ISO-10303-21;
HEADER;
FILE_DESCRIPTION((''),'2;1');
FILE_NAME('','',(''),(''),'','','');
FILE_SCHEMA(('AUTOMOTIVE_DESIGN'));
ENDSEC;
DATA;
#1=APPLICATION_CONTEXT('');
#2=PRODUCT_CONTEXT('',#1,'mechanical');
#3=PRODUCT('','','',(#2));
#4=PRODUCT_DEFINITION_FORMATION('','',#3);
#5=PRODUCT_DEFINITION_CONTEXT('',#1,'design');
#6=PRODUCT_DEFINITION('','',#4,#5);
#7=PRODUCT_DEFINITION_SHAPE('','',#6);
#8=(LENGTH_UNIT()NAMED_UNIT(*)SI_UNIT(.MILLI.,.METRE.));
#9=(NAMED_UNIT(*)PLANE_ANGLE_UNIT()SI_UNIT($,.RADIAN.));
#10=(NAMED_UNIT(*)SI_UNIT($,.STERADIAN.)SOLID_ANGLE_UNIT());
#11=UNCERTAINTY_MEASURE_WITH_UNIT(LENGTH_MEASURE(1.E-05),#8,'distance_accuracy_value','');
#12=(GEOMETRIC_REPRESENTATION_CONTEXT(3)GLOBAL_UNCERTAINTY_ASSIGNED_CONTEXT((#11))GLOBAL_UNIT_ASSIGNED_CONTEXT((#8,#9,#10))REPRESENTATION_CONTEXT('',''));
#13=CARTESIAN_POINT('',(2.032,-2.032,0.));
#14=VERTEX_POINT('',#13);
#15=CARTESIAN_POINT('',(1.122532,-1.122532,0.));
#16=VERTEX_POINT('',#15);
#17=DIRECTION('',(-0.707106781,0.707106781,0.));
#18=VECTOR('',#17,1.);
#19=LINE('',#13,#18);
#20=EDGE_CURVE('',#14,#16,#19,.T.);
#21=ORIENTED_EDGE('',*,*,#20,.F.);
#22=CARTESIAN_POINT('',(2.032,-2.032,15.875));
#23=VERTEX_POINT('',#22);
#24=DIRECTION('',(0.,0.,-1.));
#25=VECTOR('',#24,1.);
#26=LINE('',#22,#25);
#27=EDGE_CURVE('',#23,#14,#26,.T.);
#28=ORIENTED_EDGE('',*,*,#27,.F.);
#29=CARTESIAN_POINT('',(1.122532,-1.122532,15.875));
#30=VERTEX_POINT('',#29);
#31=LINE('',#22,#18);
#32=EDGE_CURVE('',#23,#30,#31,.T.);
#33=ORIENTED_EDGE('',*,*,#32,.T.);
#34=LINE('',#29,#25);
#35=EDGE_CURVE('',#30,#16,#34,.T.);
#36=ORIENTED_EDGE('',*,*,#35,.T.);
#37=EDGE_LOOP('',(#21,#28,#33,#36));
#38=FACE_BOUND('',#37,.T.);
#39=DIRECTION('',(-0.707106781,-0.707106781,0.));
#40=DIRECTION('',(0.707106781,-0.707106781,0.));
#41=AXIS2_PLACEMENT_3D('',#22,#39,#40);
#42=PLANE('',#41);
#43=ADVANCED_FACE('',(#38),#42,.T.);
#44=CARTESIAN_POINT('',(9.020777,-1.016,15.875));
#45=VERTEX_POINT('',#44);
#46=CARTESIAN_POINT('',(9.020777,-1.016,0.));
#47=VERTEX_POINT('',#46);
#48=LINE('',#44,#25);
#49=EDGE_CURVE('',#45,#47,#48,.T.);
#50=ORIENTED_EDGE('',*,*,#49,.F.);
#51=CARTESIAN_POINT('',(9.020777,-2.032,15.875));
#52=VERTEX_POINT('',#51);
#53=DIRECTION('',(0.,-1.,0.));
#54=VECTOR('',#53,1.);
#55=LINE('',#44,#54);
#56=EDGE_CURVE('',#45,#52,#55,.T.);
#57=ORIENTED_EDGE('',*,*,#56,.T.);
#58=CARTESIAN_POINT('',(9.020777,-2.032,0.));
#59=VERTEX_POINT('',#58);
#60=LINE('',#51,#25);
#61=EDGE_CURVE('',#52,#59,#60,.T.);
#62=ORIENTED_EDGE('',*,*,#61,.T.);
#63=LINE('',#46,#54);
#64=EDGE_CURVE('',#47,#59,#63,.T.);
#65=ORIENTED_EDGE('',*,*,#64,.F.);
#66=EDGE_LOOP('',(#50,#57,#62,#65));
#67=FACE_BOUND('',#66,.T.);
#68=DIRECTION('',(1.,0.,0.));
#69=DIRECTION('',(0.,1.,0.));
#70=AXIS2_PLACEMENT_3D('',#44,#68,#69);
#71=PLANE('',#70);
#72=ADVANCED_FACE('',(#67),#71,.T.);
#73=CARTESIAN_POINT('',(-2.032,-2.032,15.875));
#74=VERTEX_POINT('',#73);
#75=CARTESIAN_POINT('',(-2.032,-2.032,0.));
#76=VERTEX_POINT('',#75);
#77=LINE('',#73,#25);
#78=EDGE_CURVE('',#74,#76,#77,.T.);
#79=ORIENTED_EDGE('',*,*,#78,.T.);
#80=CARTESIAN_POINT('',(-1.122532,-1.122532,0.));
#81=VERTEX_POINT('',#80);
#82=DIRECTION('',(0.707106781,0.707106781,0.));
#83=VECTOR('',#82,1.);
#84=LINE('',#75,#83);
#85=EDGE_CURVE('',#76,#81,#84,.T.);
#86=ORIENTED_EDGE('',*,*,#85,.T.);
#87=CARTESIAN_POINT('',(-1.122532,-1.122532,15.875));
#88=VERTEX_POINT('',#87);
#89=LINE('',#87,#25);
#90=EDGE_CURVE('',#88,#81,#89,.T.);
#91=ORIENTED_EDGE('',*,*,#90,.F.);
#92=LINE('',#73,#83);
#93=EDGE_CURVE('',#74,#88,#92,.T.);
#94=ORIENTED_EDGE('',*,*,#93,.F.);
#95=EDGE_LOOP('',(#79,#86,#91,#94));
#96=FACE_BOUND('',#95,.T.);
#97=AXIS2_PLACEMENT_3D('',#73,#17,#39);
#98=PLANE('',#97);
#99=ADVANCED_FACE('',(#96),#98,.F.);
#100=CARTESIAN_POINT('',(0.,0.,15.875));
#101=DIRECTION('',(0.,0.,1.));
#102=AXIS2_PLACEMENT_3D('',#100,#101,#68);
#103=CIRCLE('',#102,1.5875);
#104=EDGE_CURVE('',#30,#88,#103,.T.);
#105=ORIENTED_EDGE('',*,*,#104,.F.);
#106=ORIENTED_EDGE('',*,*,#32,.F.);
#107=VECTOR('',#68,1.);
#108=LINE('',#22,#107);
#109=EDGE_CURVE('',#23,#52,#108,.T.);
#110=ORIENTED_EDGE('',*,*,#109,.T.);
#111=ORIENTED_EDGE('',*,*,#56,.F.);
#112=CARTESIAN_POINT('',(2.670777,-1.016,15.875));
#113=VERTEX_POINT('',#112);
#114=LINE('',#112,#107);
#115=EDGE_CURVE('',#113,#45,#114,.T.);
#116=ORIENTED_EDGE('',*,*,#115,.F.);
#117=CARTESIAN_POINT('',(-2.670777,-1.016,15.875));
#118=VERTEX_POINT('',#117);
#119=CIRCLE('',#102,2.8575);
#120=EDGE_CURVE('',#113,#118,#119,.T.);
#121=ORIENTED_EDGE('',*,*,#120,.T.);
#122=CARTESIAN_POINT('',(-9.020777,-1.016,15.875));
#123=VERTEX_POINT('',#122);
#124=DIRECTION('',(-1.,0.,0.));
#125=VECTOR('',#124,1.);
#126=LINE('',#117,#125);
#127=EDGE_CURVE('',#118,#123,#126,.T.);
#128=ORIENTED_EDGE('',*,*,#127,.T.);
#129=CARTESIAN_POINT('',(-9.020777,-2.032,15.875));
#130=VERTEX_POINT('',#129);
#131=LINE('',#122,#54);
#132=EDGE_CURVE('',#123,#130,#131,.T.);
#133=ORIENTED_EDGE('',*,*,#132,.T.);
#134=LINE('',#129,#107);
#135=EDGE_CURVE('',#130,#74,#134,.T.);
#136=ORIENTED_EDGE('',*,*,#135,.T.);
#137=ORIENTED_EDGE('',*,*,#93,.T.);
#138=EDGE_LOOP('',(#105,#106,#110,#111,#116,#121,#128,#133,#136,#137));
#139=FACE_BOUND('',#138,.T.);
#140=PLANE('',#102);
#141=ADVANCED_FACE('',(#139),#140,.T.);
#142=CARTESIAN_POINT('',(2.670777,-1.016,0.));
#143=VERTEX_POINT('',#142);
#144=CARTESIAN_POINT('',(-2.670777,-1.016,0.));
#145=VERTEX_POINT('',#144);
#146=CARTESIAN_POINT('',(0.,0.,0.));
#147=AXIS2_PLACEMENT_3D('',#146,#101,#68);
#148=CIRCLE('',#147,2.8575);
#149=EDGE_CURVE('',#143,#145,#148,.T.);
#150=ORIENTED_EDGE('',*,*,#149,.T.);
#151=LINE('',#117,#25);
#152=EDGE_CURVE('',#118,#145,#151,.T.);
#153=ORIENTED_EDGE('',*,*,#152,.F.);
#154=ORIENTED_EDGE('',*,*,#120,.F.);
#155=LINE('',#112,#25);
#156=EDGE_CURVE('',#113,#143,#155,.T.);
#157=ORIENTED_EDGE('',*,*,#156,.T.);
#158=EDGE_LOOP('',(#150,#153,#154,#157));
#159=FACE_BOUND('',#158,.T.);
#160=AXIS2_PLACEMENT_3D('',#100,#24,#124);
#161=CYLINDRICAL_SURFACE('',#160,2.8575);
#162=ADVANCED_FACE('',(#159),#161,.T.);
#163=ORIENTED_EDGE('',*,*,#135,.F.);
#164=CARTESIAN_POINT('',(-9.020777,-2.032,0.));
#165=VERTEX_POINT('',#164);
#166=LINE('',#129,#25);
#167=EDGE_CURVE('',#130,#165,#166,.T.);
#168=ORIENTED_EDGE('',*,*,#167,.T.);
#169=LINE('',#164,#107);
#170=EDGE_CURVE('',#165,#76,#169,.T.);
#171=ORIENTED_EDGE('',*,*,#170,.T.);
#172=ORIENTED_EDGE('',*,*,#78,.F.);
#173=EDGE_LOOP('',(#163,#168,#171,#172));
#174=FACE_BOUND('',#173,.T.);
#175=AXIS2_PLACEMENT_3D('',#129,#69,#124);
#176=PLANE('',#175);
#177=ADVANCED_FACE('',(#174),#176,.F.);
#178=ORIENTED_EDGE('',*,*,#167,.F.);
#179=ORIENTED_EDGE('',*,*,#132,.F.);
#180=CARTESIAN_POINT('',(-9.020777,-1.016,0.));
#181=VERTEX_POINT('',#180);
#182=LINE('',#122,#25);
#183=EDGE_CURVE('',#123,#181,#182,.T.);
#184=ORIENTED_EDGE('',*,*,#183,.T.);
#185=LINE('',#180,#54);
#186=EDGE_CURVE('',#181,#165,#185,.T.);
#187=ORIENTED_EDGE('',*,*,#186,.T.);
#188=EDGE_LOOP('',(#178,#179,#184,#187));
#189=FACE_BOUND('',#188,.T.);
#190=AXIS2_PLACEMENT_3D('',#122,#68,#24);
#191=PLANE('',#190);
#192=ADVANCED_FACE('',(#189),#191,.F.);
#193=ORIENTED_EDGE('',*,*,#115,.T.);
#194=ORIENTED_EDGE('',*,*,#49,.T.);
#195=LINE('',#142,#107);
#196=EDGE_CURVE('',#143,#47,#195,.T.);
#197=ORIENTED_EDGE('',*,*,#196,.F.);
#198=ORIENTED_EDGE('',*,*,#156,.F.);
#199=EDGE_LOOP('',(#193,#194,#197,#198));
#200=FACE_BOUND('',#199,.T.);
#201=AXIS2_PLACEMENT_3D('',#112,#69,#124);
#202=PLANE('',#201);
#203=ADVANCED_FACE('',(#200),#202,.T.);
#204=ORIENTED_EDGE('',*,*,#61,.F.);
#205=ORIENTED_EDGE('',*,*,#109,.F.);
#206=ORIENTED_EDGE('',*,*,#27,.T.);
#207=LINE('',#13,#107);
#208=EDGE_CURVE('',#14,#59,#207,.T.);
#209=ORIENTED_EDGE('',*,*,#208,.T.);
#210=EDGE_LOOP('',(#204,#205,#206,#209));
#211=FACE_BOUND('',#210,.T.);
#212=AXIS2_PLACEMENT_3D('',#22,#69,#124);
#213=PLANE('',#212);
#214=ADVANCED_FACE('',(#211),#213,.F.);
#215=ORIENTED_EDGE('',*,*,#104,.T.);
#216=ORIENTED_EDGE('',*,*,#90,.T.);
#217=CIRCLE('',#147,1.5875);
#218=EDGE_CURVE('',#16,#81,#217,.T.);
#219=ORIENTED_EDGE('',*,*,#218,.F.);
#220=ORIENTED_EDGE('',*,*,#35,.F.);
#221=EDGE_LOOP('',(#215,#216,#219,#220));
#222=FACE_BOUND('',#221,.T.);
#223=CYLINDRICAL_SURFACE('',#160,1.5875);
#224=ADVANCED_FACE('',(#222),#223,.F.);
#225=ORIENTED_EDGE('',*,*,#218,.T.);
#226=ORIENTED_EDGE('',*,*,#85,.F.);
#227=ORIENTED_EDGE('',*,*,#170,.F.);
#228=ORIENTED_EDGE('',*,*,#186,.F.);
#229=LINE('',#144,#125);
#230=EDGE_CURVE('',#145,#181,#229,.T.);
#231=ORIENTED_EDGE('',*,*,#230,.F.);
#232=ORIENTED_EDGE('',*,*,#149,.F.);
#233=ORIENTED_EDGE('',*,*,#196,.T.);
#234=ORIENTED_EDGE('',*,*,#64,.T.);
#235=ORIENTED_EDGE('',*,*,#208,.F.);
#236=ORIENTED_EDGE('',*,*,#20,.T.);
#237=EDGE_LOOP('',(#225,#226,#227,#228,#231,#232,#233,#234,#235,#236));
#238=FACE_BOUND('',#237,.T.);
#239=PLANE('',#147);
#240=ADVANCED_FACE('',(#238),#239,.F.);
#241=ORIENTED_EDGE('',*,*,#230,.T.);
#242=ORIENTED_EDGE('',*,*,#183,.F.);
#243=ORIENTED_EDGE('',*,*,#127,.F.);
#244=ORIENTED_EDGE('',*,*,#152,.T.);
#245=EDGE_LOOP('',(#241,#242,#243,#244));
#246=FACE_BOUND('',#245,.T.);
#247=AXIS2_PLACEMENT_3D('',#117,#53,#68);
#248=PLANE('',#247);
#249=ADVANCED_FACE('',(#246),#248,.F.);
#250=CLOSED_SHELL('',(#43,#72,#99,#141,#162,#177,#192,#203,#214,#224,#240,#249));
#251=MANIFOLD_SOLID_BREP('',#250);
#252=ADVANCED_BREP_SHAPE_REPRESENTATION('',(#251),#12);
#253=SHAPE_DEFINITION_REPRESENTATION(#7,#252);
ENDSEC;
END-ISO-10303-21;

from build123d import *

# Parameters (mm, degrees)
BOSS_EXTRUDE1_DEPTH = 15.875


with BuildPart() as part:
    # Sketch1 → Boss-Extrude1 (new body)
    with BuildSketch(Plane.XY):
        with BuildLine():
            Line((-2.670777087, -1.016), (-9.020777087, -1.016))
            Line((-9.020777087, -1.016), (-9.020777087, -2.032))
            Line((-9.020777087, -2.032), (-2.032, -2.032))
            Line((-2.032, -2.032), (-1.122532015, -1.122532015))
            ThreePointArc((-1.122532015, -1.122532015), (0, 1.5875), (1.122532015, -1.122532015))
            Line((1.122532015, -1.122532015), (2.032, -2.032))
            Line((2.032, -2.032), (9.020777087, -2.032))
            Line((9.020777087, -2.032), (9.020777087, -1.016))
            Line((9.020777087, -1.016), (2.670777087, -1.016))
            ThreePointArc((2.670777087, -1.016), (0, 2.8575), (-2.670777087, -1.016))
        make_face()
    extrude(amount=BOSS_EXTRUDE1_DEPTH)


solid = part.part
